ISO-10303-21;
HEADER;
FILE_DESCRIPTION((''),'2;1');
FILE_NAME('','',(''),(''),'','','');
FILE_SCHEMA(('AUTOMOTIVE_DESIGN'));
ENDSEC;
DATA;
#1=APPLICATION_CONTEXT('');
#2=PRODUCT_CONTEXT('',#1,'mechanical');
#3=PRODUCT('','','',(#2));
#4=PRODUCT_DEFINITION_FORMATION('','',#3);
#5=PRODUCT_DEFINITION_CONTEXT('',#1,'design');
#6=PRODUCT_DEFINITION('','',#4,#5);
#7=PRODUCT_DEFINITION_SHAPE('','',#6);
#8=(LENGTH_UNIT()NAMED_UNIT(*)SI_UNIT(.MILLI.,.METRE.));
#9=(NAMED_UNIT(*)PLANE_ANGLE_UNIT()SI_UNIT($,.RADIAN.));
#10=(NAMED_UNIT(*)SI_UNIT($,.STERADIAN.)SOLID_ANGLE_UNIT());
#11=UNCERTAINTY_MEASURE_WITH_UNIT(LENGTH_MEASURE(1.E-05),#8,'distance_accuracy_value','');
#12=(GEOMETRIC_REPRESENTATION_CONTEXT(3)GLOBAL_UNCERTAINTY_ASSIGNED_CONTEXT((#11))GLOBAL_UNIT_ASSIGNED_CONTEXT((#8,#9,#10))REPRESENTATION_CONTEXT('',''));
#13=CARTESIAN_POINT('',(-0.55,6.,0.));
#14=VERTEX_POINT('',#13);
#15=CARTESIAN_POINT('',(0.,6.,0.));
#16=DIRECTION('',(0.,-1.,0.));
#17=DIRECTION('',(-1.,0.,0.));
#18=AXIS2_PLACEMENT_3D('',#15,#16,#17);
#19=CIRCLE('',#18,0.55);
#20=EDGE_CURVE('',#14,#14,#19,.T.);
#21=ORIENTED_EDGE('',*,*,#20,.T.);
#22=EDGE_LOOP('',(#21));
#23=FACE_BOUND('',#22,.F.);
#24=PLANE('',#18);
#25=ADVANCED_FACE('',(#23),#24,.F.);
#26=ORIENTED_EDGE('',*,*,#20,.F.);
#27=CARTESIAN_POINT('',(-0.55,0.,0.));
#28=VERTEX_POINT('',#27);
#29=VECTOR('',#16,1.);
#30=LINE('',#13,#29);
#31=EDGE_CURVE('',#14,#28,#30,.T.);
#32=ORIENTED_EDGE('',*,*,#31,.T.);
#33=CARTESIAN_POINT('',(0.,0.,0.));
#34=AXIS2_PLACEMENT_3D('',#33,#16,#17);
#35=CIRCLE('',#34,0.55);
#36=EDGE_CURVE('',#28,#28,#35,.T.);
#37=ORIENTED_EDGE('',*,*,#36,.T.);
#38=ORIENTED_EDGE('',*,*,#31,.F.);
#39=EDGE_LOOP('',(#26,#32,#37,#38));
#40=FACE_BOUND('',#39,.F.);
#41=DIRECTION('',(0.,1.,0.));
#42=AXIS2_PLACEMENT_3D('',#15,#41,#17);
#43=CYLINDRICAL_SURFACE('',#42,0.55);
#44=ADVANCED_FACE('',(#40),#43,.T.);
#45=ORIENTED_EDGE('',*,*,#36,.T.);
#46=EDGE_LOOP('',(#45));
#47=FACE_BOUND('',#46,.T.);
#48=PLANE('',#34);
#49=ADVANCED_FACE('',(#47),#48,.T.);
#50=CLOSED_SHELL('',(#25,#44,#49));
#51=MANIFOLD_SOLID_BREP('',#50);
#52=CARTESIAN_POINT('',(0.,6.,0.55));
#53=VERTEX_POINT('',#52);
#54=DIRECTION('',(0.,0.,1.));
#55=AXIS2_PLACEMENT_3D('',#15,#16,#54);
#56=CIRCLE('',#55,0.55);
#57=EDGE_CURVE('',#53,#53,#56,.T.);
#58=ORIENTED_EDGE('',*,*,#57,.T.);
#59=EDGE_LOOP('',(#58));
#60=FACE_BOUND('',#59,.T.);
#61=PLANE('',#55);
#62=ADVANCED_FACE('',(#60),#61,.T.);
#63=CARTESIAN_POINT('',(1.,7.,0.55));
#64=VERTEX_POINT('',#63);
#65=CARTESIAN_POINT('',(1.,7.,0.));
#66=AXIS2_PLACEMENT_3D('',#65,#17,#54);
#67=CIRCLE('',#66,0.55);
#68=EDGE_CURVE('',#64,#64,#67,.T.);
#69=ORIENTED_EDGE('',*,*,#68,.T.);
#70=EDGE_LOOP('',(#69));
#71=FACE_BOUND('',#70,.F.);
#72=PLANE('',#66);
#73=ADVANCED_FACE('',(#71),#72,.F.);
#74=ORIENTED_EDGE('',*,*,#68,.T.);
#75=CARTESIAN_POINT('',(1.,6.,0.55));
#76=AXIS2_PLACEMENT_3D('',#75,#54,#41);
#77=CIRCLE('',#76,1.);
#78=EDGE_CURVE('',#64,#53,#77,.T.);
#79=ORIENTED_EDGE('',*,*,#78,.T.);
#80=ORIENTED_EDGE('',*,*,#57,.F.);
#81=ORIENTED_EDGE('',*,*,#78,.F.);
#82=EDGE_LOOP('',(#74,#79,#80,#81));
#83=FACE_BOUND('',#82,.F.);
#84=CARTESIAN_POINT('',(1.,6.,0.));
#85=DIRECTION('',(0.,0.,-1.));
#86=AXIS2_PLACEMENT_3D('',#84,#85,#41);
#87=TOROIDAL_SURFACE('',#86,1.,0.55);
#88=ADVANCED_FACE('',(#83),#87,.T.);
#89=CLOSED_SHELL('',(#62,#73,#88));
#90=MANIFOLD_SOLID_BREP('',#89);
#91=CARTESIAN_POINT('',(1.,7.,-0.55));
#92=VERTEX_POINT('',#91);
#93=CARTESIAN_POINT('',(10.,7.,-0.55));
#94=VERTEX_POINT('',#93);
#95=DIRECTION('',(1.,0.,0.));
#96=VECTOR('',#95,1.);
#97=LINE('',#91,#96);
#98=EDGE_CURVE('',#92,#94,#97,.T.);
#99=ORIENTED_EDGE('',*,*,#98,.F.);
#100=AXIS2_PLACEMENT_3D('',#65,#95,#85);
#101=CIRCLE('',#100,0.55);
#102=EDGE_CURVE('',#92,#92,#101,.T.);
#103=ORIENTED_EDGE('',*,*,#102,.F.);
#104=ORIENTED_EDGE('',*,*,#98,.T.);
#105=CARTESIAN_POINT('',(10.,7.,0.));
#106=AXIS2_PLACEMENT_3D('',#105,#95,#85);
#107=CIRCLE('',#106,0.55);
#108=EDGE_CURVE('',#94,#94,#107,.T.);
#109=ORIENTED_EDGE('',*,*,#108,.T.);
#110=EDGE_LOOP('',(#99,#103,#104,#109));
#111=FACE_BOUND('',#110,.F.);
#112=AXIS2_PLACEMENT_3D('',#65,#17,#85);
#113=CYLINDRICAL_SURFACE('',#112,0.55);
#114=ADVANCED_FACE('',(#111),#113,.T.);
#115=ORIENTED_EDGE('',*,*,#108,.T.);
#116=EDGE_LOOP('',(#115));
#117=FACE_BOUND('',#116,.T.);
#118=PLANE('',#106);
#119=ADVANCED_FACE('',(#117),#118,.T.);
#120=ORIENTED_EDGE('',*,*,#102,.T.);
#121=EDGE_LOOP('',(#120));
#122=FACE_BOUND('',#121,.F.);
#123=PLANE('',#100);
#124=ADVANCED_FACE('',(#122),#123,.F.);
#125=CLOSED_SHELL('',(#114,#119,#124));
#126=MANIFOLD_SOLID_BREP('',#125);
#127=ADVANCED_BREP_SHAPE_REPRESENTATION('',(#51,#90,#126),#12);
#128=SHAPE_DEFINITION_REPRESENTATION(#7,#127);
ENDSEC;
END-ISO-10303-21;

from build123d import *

# Parameters (mm, degrees)
SKETCH6_R           = 0.55
BOSS_EXTRUDE1_DEPTH = 6
SKETCH11_R          = 0.55
BOSS_EXTRUDE2_DEPTH = 9
SKETCH22_R          = 0.55
REVOLVE1_ANGLE      = 90


with BuildPart() as part:
    # Sketch6 → Boss-Extrude1 (new body)
    with BuildSketch(Plane(origin=(0, 6, 0), x_dir=(-1, 0, 0), z_dir=(0, -1, 0))):
        Circle(SKETCH6_R)
    extrude(amount=BOSS_EXTRUDE1_DEPTH)


with BuildPart() as body_2:
    # Sketch11 → Boss-Extrude2 (new body)
    with BuildSketch(Plane(origin=(1, 0, 0), x_dir=(0, 0, -1), z_dir=(1, 0, 0))):
        with Locations((0, 7)):
            Circle(SKETCH11_R)
    extrude(amount=BOSS_EXTRUDE2_DEPTH)


with BuildPart() as body_3:
    # Sketch22 → Revolve1 (revolve)
    with BuildSketch(Plane.ZY.offset(-1)):
        with Locations((0, 7)):
            Circle(SKETCH22_R)
    revolve(axis=Axis((1, 6, -0.280897507), (0, 0, 1)), revolution_arc=REVOLVE1_ANGLE)


solid = Compound([part.part, body_2.part, body_3.part])
